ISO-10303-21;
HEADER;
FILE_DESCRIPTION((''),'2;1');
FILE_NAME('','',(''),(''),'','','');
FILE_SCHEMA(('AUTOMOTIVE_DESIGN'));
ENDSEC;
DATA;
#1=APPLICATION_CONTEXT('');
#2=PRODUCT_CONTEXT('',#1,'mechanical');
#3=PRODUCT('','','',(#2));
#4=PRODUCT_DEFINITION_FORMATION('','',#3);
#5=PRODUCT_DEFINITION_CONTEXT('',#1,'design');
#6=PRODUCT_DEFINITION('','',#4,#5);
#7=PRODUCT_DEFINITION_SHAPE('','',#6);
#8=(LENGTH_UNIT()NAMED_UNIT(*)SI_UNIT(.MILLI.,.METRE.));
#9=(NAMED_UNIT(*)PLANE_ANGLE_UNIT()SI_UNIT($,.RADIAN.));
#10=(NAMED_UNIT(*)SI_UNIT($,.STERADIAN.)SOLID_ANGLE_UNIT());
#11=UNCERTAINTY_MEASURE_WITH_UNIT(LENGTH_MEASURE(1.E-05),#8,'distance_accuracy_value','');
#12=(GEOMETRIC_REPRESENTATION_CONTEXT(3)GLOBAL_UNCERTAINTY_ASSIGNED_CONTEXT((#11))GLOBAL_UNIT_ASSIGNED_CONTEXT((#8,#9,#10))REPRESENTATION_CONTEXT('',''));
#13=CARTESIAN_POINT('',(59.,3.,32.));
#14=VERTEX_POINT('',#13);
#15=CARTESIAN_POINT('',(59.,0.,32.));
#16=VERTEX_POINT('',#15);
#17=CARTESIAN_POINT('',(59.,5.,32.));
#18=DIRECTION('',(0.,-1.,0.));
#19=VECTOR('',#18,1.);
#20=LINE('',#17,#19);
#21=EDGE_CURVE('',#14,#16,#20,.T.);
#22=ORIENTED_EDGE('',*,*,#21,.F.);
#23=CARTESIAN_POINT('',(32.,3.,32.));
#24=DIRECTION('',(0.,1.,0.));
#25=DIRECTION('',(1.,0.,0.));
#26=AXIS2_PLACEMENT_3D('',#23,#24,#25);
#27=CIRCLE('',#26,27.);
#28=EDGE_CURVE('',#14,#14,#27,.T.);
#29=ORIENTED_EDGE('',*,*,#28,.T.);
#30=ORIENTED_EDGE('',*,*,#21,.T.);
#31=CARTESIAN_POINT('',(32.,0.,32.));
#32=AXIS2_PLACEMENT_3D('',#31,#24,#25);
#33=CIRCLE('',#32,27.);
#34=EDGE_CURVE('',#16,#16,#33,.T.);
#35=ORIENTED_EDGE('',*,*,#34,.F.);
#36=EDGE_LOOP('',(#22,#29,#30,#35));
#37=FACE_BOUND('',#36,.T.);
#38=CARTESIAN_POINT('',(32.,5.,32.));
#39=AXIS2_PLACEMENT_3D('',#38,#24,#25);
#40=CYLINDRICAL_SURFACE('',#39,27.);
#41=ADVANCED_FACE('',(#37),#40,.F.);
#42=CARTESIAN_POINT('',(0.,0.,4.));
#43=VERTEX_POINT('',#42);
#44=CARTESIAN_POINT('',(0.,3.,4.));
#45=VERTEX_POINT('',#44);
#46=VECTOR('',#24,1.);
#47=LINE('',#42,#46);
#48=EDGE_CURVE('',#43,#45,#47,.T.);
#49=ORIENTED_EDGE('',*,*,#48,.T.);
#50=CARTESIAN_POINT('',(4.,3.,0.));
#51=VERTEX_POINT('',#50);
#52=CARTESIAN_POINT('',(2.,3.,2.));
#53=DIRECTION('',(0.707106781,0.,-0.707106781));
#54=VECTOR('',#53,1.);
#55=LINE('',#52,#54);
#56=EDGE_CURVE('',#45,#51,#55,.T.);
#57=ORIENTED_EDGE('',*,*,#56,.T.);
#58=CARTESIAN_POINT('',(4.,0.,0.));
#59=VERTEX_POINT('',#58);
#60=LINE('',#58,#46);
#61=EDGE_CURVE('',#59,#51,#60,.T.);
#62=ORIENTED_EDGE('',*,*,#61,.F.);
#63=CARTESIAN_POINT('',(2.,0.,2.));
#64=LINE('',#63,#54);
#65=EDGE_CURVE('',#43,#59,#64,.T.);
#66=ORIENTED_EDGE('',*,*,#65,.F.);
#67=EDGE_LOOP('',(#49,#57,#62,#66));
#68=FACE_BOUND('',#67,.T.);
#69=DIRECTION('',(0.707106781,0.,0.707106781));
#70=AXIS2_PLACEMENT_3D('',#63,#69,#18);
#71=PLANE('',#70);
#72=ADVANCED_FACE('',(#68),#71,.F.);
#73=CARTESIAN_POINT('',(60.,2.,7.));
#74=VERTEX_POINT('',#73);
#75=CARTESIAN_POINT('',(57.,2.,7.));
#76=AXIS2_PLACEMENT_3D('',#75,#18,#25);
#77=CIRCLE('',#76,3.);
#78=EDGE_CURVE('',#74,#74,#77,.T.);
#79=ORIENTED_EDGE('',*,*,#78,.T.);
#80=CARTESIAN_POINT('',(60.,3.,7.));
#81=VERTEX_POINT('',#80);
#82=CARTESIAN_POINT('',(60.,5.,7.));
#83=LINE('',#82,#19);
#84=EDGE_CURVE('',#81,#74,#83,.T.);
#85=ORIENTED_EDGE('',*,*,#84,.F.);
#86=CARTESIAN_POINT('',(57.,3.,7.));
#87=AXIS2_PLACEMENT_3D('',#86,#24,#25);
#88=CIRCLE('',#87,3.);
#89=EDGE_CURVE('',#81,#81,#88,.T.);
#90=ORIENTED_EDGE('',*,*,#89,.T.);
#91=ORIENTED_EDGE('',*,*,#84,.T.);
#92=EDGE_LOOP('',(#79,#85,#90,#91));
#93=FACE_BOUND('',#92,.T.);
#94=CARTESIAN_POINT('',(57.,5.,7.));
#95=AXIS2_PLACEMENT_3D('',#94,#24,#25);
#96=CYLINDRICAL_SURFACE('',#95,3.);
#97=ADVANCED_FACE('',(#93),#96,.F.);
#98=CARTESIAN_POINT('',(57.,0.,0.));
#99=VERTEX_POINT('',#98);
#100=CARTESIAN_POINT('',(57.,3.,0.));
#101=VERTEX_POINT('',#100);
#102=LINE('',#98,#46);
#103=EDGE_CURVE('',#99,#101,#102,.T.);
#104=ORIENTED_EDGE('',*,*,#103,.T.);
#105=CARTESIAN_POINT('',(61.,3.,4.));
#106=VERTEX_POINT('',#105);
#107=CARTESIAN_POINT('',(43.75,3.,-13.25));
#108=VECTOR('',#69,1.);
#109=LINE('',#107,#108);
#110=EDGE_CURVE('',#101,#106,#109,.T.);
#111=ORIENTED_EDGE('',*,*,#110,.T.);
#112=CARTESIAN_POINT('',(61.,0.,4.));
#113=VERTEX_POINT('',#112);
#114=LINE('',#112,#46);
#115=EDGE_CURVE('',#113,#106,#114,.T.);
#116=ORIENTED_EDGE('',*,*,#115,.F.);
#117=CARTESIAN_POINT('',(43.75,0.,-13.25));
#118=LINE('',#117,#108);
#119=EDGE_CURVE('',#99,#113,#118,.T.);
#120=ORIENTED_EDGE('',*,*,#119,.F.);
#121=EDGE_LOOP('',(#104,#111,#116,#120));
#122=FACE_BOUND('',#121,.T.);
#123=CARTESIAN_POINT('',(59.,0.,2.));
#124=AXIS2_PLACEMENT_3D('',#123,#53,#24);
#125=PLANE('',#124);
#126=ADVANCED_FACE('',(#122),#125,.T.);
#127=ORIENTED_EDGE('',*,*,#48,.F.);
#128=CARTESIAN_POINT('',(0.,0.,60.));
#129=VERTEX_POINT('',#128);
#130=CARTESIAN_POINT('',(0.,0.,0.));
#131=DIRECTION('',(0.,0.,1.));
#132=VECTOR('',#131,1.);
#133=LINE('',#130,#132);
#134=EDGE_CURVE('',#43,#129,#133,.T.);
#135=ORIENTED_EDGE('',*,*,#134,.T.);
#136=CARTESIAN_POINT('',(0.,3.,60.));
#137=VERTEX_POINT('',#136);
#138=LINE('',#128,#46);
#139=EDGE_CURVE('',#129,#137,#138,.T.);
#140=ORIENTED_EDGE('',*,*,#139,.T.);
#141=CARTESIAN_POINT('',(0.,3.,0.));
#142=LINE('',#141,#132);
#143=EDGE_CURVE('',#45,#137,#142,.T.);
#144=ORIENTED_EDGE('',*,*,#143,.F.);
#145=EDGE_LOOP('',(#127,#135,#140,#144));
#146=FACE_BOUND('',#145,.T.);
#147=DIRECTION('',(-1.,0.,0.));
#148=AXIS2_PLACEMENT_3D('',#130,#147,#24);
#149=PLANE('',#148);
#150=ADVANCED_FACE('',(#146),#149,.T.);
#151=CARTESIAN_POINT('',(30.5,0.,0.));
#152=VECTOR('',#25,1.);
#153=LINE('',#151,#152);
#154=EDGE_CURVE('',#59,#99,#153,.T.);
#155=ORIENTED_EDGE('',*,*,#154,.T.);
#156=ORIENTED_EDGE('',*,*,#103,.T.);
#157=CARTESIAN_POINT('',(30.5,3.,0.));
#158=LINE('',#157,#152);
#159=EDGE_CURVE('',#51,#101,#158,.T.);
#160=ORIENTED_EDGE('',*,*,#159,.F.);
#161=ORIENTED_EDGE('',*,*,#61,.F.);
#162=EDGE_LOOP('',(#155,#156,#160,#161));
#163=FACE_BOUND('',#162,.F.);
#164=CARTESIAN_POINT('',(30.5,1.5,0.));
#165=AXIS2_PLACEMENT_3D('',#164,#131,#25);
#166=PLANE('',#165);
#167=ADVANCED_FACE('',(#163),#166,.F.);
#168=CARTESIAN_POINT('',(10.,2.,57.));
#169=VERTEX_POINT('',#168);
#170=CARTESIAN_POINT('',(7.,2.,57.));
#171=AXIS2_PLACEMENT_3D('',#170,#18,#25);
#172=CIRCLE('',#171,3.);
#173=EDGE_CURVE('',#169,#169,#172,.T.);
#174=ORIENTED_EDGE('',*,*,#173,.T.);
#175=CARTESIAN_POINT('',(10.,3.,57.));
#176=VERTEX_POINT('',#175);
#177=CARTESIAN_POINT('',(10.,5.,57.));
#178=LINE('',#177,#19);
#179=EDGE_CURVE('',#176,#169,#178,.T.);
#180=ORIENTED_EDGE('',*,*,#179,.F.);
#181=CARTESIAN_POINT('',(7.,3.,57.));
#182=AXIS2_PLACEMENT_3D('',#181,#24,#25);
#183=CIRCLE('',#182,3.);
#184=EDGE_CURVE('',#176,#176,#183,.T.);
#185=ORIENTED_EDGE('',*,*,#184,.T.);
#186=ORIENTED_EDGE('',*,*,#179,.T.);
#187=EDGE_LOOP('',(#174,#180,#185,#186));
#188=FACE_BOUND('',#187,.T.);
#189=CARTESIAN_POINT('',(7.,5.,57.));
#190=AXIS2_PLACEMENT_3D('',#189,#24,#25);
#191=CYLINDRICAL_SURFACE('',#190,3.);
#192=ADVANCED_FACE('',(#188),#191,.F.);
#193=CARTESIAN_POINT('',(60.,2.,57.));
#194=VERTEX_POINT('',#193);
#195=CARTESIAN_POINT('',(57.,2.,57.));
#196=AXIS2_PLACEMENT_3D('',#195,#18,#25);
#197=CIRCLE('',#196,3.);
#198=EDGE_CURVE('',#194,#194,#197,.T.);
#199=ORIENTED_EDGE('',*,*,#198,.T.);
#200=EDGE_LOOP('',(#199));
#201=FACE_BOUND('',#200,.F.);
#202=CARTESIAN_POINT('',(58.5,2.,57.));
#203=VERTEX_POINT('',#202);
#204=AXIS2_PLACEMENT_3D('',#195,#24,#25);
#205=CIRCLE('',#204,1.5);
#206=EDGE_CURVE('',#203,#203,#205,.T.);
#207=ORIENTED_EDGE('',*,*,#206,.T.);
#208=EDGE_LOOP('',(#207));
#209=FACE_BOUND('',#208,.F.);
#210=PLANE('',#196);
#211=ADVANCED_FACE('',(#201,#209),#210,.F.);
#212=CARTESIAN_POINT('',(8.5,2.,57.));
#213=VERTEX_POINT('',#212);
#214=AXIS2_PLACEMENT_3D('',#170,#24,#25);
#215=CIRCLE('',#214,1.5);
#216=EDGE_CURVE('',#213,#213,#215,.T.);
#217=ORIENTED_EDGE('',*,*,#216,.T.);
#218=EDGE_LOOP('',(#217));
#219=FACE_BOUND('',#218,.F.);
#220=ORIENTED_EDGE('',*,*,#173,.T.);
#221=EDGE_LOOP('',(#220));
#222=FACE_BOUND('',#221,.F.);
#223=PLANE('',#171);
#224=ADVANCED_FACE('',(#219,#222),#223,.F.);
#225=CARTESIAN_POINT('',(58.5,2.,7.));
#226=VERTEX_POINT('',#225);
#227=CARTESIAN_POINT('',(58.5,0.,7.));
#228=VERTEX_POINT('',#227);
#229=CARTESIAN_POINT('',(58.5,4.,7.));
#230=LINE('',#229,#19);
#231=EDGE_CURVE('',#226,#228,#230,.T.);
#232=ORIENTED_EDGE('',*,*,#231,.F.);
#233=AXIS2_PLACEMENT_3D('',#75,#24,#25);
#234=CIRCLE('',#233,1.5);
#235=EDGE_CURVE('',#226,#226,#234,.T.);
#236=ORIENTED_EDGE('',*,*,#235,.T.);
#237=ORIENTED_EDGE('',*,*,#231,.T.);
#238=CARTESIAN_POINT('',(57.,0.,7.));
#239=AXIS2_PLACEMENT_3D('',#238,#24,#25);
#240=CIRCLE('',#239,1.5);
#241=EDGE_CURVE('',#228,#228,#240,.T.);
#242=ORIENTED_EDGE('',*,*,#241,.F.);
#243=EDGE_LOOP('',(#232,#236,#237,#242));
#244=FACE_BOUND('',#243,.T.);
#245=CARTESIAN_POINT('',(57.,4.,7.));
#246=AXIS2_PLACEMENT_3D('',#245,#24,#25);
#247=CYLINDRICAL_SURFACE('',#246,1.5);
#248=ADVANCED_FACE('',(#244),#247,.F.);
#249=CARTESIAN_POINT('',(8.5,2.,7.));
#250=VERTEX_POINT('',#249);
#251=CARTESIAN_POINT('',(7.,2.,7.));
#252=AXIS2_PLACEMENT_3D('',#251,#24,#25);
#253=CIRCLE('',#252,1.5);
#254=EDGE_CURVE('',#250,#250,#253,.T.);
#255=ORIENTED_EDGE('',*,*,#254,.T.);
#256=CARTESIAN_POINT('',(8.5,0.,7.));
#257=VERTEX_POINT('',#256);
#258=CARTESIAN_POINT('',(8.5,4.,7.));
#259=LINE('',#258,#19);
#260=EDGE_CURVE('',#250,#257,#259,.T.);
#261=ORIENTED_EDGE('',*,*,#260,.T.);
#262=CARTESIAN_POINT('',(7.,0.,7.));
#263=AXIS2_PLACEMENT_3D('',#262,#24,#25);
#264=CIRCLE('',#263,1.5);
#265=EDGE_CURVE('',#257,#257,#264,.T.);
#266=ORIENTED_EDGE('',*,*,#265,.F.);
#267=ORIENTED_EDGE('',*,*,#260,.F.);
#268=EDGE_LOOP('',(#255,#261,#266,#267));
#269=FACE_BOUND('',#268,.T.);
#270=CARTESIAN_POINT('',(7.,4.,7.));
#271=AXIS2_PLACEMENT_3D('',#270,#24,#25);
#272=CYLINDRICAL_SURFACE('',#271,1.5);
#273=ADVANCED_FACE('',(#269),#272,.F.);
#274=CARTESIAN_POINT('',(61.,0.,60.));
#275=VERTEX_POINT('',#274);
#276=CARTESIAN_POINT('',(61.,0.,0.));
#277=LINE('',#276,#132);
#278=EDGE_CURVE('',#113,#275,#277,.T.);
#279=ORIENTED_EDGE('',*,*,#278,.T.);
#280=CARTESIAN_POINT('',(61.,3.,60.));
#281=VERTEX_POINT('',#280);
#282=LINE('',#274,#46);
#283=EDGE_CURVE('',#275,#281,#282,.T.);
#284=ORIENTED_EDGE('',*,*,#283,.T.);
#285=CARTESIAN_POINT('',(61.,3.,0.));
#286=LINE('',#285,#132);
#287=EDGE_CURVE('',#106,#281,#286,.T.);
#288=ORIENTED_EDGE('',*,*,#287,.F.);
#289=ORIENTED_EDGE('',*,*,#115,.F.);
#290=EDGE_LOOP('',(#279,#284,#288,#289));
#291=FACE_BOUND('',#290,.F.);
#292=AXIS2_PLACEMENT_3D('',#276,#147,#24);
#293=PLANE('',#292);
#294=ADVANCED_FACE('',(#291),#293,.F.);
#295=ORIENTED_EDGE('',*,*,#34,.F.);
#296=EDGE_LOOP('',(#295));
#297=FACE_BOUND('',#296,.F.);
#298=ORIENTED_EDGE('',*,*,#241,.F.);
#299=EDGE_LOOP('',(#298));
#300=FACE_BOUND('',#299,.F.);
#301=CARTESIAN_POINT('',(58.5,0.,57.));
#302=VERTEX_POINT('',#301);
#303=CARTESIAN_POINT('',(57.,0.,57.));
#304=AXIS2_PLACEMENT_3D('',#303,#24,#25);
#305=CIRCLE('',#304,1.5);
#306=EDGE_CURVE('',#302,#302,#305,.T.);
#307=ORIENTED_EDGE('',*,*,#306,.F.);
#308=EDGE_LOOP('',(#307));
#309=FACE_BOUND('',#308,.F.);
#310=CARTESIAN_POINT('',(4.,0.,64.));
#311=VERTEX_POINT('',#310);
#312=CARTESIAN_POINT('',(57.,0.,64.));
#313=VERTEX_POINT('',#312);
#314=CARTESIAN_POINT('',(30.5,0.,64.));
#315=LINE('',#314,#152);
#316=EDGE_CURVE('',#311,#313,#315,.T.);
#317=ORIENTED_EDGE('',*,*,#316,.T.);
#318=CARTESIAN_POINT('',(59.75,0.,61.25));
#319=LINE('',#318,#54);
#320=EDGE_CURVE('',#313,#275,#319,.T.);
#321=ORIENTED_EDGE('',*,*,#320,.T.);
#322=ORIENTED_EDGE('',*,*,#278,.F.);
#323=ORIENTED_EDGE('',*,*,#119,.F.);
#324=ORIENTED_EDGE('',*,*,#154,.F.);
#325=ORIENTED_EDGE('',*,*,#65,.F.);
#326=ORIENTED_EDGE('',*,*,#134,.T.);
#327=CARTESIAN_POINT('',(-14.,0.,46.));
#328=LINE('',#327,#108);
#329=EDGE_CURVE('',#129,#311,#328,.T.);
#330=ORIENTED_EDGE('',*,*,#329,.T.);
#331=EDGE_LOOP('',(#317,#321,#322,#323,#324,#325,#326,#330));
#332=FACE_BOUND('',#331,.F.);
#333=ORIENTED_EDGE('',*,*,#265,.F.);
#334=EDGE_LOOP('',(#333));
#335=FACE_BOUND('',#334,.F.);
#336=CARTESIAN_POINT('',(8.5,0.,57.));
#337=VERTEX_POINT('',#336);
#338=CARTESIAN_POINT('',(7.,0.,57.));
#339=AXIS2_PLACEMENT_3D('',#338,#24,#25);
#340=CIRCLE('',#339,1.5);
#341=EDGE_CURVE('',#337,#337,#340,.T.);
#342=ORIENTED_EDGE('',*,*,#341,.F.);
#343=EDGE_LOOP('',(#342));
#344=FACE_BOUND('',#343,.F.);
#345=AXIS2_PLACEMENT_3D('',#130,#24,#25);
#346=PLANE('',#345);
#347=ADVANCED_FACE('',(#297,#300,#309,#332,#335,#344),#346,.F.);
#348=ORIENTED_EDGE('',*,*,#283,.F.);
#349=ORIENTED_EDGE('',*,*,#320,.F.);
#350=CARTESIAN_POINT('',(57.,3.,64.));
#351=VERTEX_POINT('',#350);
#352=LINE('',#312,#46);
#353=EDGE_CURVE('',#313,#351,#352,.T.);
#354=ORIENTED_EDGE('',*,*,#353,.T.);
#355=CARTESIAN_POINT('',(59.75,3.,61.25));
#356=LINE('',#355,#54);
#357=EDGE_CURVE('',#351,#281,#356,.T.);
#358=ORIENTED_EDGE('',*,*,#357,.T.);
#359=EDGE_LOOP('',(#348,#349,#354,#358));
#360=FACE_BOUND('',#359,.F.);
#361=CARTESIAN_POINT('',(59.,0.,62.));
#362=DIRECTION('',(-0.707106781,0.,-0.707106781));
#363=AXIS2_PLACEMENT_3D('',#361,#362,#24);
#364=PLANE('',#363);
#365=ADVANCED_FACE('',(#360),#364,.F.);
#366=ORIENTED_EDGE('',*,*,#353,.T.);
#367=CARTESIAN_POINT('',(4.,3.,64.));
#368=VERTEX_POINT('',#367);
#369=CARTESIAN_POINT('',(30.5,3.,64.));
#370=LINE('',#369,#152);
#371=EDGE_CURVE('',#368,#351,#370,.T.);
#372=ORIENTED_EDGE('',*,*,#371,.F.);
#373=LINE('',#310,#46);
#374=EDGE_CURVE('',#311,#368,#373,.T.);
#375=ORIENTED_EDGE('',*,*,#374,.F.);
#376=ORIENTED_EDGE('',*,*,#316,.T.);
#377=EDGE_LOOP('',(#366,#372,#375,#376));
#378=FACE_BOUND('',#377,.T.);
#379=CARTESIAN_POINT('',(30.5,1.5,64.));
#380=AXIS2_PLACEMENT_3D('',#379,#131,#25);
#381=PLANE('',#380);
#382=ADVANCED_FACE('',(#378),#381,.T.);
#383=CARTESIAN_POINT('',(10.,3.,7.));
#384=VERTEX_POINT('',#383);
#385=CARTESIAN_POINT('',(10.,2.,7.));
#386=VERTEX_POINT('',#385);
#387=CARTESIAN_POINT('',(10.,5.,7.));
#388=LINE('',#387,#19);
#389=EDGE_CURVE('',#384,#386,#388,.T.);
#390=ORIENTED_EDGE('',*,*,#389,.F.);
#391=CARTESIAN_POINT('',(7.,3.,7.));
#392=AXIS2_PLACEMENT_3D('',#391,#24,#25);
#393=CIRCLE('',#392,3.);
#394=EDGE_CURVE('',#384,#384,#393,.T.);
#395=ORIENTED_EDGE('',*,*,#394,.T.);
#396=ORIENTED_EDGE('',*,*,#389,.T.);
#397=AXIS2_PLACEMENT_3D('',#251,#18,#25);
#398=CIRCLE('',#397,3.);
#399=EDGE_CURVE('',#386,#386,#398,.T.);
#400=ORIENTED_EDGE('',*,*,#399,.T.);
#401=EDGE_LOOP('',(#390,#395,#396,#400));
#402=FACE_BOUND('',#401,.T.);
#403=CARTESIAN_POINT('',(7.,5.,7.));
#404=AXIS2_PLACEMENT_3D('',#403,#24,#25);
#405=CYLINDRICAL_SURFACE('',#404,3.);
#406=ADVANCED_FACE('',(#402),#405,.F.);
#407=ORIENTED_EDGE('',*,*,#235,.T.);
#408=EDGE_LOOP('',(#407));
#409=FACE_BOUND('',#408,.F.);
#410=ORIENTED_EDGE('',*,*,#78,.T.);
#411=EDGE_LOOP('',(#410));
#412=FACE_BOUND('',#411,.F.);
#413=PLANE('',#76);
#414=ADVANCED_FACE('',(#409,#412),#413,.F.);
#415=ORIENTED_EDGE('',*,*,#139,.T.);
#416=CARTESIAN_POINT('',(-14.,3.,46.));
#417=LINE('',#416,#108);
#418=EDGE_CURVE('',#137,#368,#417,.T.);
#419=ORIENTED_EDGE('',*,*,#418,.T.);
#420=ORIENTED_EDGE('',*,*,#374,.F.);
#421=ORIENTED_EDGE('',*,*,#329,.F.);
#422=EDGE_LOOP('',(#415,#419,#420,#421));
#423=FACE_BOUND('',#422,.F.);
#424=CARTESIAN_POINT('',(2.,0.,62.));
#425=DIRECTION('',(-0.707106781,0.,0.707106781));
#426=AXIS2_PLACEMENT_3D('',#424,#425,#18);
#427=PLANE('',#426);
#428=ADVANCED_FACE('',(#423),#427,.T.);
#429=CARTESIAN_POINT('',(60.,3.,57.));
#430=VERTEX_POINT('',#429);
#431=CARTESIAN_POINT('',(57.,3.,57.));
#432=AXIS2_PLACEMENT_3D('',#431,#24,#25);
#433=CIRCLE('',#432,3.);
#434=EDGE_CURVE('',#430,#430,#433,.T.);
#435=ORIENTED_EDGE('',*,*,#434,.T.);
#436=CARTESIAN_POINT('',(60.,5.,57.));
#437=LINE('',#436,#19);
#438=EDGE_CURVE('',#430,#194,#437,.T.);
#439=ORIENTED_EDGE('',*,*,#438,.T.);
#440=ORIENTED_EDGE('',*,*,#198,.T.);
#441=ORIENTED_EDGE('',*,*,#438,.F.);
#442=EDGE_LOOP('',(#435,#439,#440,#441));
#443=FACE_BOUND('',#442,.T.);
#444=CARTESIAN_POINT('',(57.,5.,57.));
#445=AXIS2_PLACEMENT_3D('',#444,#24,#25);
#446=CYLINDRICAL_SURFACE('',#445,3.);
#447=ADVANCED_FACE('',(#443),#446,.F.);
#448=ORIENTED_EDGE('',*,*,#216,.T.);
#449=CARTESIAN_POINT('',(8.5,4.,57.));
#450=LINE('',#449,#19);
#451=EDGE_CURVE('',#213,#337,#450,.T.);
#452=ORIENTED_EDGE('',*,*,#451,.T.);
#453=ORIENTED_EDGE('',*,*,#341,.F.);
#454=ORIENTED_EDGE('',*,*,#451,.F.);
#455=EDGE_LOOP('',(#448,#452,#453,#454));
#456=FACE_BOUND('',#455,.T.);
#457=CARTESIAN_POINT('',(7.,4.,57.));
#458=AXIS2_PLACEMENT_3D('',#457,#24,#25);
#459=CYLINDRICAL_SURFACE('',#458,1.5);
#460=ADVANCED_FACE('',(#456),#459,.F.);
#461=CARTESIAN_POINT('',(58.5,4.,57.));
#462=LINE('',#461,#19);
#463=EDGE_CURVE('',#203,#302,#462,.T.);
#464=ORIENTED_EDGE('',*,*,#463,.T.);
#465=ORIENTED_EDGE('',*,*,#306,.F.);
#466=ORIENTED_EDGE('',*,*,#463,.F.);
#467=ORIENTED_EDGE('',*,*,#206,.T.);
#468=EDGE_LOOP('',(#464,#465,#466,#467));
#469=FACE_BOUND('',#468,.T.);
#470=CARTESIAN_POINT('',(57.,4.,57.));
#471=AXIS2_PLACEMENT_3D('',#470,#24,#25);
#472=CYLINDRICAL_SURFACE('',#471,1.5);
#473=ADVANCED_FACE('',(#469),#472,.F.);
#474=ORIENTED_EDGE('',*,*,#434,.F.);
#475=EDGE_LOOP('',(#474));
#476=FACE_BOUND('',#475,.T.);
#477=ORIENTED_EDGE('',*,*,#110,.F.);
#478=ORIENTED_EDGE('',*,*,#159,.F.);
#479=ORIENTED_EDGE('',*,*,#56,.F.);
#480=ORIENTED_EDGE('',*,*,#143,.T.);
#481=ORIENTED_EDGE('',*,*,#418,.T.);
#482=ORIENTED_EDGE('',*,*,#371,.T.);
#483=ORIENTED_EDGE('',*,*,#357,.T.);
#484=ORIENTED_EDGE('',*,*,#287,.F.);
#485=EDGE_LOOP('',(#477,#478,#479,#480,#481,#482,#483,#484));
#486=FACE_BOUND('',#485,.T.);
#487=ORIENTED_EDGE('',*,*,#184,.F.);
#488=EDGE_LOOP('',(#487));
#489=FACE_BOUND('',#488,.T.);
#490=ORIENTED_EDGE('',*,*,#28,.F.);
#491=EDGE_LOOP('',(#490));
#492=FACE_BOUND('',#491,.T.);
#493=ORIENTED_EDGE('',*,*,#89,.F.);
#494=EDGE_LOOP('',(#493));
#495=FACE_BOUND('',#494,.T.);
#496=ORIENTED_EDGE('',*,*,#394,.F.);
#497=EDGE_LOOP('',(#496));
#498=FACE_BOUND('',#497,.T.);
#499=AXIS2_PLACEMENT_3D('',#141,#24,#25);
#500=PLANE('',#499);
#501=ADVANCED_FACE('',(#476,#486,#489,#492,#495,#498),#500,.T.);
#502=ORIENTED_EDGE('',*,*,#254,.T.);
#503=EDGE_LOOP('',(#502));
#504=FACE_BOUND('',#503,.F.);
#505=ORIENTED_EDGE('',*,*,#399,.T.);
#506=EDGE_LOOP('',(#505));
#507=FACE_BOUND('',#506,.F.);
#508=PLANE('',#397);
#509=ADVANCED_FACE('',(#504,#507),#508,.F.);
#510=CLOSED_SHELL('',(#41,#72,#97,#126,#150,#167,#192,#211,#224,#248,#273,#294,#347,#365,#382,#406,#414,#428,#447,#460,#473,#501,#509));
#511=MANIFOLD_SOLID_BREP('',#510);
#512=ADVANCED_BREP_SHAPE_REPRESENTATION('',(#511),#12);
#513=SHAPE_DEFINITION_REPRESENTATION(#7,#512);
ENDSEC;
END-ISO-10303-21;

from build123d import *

# Parameters (mm, degrees)
CYLINDER871_R     = 3
CYLINDER871_DEPTH = 3
CYLINDER872_R     = 3
CYLINDER872_DEPTH = 3
CYLINDER873_R     = 3
CYLINDER873_DEPTH = 3
CYLINDER870_R     = 3
CYLINDER870_DEPTH = 3
CYLINDER867_R     = 27
CYLINDER867_DEPTH = 10
CYLINDER864_R     = 1.5
CYLINDER864_DEPTH = 10
CYLINDER865_R     = 1.5
CYLINDER865_DEPTH = 10
CYLINDER866_R     = 1.5
CYLINDER866_DEPTH = 10
CYLINDER863_R     = 1.5
CYLINDER863_DEPTH = 10
BOX418_W          = 61
BOX418_H          = 3
BOX418_DEPTH      = 64
CHAMFER023_SIZE   = 4
CHAMFER024_SIZE   = 4


with BuildPart() as v_lec871:
    # Cylinder871 → Cylinder871 (new body)
    with BuildSketch(Plane(origin=(50, 0, 0), x_dir=(1, 0, 0), z_dir=(0, -1, 0))):
        Circle(CYLINDER871_R)
    extrude(amount=CYLINDER871_DEPTH)


with BuildPart() as v_lec872:
    # Cylinder872 → Cylinder872 (new body)
    with BuildSketch(Plane(origin=(50, 0, 50), x_dir=(1, 0, 0), z_dir=(0, -1, 0))):
        Circle(CYLINDER872_R)
    extrude(amount=CYLINDER872_DEPTH)


with BuildPart() as v_lec873:
    # Cylinder873 → Cylinder873 (new body)
    with BuildSketch(Plane(origin=(0, 0, 50), x_dir=(1, 0, 0), z_dir=(0, -1, 0))):
        Circle(CYLINDER873_R)
    extrude(amount=CYLINDER873_DEPTH)


with BuildPart() as compound499:
    # Cylinder870 → Cylinder870 (new body)
    with BuildSketch(Plane.XZ):
        Circle(CYLINDER870_R)
    extrude(amount=CYLINDER870_DEPTH)

    # Compound499: union Válec871, Válec872, Válec873
    add(v_lec871.part)
    add(v_lec872.part)
    add(v_lec873.part)


with BuildPart() as compound499_1:
    # Compound499 placement: moved
    add(compound499.part.moved(Location((7, 5, 7))))


with BuildPart() as v_lec867:
    # Cylinder867 → Cylinder867 (new body)
    with BuildSketch(Plane(origin=(32, 5, 32), x_dir=(1, 0, 0), z_dir=(0, -1, 0))):
        Circle(CYLINDER867_R)
    extrude(amount=CYLINDER867_DEPTH)


with BuildPart() as v_lec864:
    # Cylinder864 → Cylinder864 (new body)
    with BuildSketch(Plane(origin=(50, 0, 0), x_dir=(1, 0, 0), z_dir=(0, -1, 0))):
        Circle(CYLINDER864_R)
    extrude(amount=CYLINDER864_DEPTH)


with BuildPart() as v_lec865:
    # Cylinder865 → Cylinder865 (new body)
    with BuildSketch(Plane(origin=(50, 0, 50), x_dir=(1, 0, 0), z_dir=(0, -1, 0))):
        Circle(CYLINDER865_R)
    extrude(amount=CYLINDER865_DEPTH)


with BuildPart() as v_lec866:
    # Cylinder866 → Cylinder866 (new body)
    with BuildSketch(Plane(origin=(0, 0, 50), x_dir=(1, 0, 0), z_dir=(0, -1, 0))):
        Circle(CYLINDER866_R)
    extrude(amount=CYLINDER866_DEPTH)


with BuildPart() as compound498:
    # Cylinder863 → Cylinder863 (new body)
    with BuildSketch(Plane.XZ):
        Circle(CYLINDER863_R)
    extrude(amount=CYLINDER863_DEPTH)

    # Compound498: union Válec864, Válec865, Válec866
    add(v_lec864.part)
    add(v_lec865.part)
    add(v_lec866.part)


with BuildPart() as compound498_1:
    # Compound498 placement: moved
    add(compound498.part.moved(Location((7, 4, 7))))


with BuildPart() as chamfer024:
    # Box418 → Box418 (new body)
    with BuildSketch(Plane.XY):
        with Locations((30.5, 1.5)):
            Rectangle(BOX418_W, BOX418_H)
    extrude(amount=BOX418_DEPTH)

    # Cut015: cut Compound498
    add(compound498_1.part, mode=Mode.SUBTRACT)

    # Cut016: cut Válec867
    add(v_lec867.part, mode=Mode.SUBTRACT)

    # Cut019: cut Compound499
    add(compound499_1.part, mode=Mode.SUBTRACT)

    # Chamfer023
    chamfer023_edges = [chamfer024.edges().sort_by_distance(p)[0] for p in [
        (0, 1.5, 0),
        (61, 1.5, 0),
    ]]
    chamfer(chamfer023_edges, length=CHAMFER023_SIZE)

    # Chamfer024
    chamfer024_edges = [chamfer024.edges().sort_by_distance(p)[0] for p in [
        (0, 1.5, 64),
        (61, 1.5, 64),
    ]]
    chamfer(chamfer024_edges, length=CHAMFER024_SIZE)


solid = chamfer024.part
